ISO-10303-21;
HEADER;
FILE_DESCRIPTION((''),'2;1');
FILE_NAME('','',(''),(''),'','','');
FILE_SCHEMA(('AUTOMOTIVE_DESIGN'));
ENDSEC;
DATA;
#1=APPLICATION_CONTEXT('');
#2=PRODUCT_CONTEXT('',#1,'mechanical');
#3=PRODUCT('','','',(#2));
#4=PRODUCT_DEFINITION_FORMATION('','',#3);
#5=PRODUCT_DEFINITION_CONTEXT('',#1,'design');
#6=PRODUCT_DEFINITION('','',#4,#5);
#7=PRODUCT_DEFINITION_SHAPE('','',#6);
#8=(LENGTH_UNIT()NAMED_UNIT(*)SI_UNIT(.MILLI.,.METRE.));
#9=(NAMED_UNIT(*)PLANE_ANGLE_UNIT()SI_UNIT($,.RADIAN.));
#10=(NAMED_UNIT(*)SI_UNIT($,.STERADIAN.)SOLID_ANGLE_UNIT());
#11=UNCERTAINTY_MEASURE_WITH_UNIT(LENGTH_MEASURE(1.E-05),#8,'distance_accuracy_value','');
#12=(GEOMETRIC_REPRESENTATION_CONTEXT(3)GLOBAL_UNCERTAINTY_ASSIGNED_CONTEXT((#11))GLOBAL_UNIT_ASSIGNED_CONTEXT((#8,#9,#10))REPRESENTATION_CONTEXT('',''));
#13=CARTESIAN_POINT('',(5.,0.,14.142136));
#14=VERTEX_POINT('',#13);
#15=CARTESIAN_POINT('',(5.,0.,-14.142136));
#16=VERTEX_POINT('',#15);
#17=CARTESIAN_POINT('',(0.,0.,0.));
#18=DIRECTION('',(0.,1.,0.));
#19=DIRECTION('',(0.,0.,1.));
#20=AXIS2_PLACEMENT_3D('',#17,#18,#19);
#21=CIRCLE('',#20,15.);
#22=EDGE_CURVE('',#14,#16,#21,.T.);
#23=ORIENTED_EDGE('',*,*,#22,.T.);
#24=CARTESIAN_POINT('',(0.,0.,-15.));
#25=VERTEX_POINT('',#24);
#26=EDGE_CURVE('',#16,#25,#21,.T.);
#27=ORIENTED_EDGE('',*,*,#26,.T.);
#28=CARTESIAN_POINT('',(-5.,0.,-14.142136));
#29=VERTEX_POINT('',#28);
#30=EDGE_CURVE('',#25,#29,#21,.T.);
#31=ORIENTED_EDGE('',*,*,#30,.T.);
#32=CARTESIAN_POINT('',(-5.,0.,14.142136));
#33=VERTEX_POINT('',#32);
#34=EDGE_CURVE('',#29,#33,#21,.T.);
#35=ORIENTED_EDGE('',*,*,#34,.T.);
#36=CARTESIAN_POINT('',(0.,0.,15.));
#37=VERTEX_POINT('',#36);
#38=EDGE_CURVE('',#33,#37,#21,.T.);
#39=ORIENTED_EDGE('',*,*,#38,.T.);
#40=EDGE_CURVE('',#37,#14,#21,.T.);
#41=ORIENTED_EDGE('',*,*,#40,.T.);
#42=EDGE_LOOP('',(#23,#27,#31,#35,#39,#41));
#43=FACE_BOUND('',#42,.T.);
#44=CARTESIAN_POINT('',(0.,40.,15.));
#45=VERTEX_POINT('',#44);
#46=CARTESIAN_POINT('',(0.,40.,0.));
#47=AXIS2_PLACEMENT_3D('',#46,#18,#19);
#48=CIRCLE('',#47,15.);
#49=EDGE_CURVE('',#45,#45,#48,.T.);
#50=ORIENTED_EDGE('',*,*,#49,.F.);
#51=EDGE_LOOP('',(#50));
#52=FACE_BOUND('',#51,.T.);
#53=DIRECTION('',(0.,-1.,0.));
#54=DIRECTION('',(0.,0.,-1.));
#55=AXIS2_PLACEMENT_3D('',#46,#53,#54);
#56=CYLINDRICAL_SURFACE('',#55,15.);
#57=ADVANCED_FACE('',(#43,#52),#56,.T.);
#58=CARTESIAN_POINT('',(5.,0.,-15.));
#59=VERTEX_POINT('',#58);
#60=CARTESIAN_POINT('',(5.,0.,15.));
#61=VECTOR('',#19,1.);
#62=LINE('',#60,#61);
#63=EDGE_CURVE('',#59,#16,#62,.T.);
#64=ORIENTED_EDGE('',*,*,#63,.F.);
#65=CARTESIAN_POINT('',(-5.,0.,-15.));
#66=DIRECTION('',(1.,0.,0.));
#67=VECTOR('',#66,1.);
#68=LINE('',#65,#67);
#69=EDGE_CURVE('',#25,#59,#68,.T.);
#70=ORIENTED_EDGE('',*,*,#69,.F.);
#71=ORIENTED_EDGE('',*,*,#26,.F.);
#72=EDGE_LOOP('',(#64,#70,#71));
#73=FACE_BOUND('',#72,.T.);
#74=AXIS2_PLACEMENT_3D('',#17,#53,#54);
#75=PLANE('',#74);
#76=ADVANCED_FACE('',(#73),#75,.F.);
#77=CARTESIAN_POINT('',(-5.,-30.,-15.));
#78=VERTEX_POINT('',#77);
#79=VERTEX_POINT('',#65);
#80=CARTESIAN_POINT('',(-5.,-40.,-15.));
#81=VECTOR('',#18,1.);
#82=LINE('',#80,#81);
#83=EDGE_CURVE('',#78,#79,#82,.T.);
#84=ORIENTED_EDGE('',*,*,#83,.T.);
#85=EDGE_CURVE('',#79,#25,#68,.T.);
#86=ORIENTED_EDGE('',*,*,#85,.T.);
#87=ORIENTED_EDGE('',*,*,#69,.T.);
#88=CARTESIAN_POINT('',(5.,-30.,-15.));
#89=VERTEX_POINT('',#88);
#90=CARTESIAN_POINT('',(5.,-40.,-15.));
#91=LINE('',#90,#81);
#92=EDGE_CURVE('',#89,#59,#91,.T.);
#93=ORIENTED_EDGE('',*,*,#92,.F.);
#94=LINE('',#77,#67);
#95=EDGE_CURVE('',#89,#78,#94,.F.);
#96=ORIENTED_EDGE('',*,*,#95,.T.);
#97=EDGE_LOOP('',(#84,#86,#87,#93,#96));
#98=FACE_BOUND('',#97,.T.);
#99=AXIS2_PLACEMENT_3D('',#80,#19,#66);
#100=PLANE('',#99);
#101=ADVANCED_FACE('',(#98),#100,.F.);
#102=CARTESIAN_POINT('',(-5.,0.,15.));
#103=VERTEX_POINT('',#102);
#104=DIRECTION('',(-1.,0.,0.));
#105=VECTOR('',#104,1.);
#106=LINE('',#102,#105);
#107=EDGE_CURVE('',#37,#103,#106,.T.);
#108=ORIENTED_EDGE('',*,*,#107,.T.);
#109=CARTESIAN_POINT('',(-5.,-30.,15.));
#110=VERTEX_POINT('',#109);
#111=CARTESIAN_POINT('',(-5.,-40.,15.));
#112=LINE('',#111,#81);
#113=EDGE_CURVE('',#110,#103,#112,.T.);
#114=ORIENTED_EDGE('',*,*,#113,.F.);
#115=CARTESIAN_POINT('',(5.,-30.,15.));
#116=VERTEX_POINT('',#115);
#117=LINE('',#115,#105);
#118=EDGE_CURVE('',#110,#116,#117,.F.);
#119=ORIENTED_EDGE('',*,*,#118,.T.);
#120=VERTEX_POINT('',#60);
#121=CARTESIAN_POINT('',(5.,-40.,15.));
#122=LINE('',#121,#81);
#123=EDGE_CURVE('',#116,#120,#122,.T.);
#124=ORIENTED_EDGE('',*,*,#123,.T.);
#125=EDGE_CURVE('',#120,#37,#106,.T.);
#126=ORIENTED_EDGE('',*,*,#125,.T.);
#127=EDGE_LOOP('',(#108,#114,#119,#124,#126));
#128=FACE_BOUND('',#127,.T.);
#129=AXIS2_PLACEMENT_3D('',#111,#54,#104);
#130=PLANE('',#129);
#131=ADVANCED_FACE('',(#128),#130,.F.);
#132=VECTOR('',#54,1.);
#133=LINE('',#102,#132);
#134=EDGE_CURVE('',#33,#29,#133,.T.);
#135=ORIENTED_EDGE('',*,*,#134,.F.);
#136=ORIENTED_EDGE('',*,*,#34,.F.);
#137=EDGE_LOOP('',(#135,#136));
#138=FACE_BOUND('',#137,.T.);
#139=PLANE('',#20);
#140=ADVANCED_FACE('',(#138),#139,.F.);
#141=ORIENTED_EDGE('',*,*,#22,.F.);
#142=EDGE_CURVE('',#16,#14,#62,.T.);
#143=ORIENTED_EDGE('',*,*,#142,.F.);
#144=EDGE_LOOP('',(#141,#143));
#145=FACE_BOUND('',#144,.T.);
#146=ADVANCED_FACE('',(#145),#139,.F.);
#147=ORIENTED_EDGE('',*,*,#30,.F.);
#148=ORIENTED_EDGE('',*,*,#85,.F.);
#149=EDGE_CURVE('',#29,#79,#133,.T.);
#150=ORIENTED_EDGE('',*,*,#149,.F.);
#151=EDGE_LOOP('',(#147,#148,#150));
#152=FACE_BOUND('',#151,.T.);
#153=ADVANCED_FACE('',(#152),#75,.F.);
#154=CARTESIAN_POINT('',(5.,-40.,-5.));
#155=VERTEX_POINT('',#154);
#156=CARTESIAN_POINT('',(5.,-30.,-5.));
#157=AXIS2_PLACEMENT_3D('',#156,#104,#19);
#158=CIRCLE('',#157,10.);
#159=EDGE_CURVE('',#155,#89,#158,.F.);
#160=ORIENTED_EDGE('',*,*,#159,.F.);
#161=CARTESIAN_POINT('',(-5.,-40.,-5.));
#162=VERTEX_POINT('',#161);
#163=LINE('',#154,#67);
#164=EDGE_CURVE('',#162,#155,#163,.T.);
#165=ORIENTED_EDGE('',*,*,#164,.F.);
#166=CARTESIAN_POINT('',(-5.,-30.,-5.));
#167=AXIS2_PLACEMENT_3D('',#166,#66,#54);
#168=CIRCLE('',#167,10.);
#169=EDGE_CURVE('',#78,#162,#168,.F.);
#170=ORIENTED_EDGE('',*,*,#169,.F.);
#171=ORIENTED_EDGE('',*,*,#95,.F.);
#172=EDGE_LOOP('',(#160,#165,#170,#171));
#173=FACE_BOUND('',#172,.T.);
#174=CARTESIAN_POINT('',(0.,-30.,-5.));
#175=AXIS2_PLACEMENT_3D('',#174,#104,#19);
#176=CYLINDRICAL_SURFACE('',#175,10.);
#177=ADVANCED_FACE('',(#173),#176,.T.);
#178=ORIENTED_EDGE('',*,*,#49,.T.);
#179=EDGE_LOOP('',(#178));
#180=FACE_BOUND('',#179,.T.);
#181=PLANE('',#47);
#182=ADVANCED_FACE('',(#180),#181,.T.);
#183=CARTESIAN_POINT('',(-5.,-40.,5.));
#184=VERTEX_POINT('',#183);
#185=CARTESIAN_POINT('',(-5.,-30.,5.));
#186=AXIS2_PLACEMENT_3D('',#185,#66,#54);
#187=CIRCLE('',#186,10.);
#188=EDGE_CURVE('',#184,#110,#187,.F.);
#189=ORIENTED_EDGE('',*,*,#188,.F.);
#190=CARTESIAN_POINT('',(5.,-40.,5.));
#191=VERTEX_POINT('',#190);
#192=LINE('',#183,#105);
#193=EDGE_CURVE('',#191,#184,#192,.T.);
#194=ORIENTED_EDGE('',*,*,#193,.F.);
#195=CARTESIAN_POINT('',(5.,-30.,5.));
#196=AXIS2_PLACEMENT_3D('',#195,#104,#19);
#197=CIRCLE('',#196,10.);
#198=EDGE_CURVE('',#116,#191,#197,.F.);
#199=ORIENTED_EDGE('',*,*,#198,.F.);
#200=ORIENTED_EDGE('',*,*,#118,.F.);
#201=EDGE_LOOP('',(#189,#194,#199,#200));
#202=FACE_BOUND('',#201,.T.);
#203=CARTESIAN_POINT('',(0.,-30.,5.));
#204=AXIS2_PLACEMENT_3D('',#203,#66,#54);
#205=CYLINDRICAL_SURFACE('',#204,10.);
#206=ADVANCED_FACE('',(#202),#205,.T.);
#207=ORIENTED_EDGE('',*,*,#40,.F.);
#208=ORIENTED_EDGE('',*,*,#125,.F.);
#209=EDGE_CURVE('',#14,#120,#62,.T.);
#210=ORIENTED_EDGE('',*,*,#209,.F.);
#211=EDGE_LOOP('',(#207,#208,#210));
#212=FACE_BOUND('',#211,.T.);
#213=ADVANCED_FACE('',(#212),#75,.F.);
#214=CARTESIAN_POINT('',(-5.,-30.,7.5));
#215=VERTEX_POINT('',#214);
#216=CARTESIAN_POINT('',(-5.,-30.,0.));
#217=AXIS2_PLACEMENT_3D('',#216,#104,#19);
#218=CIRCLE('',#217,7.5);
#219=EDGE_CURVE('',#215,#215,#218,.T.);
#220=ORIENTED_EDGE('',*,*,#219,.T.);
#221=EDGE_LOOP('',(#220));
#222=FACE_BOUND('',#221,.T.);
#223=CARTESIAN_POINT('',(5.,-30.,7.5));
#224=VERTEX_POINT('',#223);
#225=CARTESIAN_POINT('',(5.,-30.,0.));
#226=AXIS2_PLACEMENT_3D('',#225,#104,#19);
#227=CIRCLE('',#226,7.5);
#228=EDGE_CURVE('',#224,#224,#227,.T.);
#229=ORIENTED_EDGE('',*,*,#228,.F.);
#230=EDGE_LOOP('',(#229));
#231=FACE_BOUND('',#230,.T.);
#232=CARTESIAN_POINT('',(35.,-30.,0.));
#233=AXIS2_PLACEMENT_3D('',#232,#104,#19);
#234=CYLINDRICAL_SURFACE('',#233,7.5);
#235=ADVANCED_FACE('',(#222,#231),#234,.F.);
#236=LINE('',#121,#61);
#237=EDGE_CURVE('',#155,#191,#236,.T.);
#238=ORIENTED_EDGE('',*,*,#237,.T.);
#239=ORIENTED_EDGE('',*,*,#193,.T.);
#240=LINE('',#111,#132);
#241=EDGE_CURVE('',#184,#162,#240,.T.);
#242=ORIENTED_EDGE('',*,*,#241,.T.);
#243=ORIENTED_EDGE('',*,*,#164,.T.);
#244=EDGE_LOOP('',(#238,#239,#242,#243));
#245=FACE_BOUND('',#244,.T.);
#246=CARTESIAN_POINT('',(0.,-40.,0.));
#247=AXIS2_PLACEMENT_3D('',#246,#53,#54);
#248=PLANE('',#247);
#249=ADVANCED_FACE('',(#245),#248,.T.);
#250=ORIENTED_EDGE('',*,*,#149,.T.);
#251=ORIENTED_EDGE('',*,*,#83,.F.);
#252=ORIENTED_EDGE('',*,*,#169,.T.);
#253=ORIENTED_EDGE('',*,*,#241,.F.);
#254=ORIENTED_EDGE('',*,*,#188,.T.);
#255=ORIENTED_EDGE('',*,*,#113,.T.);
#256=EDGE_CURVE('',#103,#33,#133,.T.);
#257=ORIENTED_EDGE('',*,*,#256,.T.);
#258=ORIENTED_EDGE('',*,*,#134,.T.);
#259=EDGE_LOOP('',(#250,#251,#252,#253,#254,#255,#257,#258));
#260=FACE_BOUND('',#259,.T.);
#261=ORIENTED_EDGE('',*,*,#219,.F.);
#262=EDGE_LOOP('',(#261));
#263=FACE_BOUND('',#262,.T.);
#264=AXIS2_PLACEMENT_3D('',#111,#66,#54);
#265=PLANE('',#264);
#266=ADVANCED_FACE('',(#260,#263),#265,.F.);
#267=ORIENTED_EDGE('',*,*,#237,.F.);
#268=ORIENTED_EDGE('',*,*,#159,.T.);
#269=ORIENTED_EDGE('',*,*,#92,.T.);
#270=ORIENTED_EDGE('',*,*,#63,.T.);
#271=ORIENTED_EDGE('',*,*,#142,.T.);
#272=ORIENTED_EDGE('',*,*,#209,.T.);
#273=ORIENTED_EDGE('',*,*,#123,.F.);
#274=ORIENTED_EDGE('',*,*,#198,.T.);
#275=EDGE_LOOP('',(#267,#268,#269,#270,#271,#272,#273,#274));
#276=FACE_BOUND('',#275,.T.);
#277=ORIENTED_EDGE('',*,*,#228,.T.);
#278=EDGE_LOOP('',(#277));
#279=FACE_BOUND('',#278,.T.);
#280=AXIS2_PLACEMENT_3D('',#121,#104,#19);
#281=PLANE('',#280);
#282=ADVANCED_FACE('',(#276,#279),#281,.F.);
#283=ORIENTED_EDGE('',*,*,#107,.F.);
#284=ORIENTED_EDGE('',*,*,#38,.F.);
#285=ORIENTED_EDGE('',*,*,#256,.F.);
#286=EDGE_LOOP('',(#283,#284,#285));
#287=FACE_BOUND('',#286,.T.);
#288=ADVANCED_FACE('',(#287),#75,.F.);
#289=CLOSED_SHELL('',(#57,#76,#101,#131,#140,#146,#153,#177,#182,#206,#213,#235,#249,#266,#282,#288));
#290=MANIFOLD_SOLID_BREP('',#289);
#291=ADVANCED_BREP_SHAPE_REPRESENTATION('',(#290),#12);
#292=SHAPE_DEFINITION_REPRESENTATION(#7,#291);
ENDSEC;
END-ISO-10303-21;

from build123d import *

# Parameters (mm, degrees)
SKETCH1_R           = 15
BOSS_EXTRUDE1_DEPTH = 40
SKETCH2_W           = 10
SKETCH2_H           = 30
BOSS_EXTRUDE2_DEPTH = 40
SKETCH3_R           = 7.5
CUT_EXTRUDE1_DEPTH  = 40
FILLET2_R           = 10


with BuildPart() as part:
    # Sketch1 → Boss-Extrude1 (new body)
    with BuildSketch(Plane(origin=(0, 0, 0), x_dir=(1, 0, 0), z_dir=(0, 1, 0))):
        with Locations(Location((0, 0, 0), (0, 0, 270))):
            Circle(SKETCH1_R)
    extrude(amount=BOSS_EXTRUDE1_DEPTH)

    # Sketch2 → Boss-Extrude2 (add)
    with BuildSketch(Plane.XZ):
        Rectangle(SKETCH2_W, SKETCH2_H)
    extrude(amount=BOSS_EXTRUDE2_DEPTH)

    # Sketch3 → Cut-Extrude1 (cut)
    with BuildSketch(Plane.ZY.offset(5)):
        with Locations((0, -30)):
            Circle(SKETCH3_R)
    extrude(amount=-CUT_EXTRUDE1_DEPTH, mode=Mode.SUBTRACT)

    # Fillet2
    fillet2_edges = [part.edges().sort_by_distance(p)[0] for p in [
        (0, -40, 15),
        (0, -40, -15),
    ]]
    fillet(fillet2_edges, radius=FILLET2_R)


solid = part.part
